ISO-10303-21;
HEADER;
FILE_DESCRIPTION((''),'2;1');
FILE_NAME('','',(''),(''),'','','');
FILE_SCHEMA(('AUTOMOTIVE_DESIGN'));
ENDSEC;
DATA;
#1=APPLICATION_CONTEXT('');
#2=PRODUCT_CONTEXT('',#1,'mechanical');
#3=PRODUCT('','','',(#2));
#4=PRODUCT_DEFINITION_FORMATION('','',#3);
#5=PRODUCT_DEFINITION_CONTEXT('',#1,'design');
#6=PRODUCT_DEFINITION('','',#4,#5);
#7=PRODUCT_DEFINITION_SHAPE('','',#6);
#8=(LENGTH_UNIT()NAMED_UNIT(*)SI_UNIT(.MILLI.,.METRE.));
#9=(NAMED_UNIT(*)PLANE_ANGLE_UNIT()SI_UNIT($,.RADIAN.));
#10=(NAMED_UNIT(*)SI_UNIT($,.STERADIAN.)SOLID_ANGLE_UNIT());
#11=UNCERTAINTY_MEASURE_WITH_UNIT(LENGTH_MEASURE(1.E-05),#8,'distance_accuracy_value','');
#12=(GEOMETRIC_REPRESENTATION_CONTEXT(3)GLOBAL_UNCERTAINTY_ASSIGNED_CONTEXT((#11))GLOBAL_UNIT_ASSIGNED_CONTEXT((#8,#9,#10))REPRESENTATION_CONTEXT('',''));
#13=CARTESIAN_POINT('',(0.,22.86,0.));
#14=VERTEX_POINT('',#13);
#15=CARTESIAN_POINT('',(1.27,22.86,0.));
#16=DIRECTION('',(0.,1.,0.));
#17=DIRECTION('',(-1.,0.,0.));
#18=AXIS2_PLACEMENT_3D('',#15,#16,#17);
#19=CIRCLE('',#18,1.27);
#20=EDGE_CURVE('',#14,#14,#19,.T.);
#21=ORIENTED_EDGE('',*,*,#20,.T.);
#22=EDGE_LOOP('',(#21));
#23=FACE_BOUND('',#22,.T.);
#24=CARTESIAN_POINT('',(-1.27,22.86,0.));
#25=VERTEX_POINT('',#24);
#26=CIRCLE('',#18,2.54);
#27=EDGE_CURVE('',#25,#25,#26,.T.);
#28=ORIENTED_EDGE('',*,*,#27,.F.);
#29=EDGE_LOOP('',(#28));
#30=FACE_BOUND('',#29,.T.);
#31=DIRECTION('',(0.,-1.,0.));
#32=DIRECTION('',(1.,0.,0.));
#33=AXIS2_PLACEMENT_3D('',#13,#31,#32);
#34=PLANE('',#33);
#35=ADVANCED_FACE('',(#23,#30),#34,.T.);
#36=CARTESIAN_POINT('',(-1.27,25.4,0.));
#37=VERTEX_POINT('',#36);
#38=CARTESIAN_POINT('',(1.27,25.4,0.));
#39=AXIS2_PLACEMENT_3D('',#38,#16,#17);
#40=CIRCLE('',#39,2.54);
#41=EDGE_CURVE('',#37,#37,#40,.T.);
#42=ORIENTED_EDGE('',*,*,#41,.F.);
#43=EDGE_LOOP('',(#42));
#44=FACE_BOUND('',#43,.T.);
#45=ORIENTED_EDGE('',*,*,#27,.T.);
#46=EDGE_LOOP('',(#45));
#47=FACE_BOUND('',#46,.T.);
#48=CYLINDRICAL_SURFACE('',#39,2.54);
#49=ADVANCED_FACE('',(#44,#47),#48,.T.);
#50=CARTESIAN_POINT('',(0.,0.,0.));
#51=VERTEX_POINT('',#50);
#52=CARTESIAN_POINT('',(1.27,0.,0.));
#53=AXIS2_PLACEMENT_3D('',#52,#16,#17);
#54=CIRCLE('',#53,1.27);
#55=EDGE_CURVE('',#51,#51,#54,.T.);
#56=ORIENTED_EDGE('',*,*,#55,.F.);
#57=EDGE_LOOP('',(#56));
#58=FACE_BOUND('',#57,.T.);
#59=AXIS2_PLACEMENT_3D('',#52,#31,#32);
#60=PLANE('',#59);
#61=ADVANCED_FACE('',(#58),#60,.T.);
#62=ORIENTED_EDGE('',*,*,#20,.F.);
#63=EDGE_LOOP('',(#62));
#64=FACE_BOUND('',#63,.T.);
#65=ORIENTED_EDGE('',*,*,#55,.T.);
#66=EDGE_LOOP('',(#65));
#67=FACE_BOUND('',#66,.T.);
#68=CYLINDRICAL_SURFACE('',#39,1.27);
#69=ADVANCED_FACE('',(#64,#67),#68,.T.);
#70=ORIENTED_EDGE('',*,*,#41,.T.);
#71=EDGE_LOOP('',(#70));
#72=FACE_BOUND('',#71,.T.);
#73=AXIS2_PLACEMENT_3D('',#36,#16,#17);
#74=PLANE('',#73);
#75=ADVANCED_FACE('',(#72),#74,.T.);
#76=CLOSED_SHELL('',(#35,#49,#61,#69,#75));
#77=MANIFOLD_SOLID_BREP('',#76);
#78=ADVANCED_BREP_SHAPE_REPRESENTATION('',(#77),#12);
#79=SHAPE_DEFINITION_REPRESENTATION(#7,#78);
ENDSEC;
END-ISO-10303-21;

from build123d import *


with BuildPart() as part:
    # Sketch1 → Revolve1 (revolve)
    with BuildSketch(Plane.XY):
        Polygon((0, 0), (0, 22.86), (-1.27, 22.86), (-1.27, 25.4), (1.27, 25.4), (1.27, 0), align=None)
    revolve(axis=Axis((1.27, 25.4, 0), (0, -1, 0)))


solid = part.part
